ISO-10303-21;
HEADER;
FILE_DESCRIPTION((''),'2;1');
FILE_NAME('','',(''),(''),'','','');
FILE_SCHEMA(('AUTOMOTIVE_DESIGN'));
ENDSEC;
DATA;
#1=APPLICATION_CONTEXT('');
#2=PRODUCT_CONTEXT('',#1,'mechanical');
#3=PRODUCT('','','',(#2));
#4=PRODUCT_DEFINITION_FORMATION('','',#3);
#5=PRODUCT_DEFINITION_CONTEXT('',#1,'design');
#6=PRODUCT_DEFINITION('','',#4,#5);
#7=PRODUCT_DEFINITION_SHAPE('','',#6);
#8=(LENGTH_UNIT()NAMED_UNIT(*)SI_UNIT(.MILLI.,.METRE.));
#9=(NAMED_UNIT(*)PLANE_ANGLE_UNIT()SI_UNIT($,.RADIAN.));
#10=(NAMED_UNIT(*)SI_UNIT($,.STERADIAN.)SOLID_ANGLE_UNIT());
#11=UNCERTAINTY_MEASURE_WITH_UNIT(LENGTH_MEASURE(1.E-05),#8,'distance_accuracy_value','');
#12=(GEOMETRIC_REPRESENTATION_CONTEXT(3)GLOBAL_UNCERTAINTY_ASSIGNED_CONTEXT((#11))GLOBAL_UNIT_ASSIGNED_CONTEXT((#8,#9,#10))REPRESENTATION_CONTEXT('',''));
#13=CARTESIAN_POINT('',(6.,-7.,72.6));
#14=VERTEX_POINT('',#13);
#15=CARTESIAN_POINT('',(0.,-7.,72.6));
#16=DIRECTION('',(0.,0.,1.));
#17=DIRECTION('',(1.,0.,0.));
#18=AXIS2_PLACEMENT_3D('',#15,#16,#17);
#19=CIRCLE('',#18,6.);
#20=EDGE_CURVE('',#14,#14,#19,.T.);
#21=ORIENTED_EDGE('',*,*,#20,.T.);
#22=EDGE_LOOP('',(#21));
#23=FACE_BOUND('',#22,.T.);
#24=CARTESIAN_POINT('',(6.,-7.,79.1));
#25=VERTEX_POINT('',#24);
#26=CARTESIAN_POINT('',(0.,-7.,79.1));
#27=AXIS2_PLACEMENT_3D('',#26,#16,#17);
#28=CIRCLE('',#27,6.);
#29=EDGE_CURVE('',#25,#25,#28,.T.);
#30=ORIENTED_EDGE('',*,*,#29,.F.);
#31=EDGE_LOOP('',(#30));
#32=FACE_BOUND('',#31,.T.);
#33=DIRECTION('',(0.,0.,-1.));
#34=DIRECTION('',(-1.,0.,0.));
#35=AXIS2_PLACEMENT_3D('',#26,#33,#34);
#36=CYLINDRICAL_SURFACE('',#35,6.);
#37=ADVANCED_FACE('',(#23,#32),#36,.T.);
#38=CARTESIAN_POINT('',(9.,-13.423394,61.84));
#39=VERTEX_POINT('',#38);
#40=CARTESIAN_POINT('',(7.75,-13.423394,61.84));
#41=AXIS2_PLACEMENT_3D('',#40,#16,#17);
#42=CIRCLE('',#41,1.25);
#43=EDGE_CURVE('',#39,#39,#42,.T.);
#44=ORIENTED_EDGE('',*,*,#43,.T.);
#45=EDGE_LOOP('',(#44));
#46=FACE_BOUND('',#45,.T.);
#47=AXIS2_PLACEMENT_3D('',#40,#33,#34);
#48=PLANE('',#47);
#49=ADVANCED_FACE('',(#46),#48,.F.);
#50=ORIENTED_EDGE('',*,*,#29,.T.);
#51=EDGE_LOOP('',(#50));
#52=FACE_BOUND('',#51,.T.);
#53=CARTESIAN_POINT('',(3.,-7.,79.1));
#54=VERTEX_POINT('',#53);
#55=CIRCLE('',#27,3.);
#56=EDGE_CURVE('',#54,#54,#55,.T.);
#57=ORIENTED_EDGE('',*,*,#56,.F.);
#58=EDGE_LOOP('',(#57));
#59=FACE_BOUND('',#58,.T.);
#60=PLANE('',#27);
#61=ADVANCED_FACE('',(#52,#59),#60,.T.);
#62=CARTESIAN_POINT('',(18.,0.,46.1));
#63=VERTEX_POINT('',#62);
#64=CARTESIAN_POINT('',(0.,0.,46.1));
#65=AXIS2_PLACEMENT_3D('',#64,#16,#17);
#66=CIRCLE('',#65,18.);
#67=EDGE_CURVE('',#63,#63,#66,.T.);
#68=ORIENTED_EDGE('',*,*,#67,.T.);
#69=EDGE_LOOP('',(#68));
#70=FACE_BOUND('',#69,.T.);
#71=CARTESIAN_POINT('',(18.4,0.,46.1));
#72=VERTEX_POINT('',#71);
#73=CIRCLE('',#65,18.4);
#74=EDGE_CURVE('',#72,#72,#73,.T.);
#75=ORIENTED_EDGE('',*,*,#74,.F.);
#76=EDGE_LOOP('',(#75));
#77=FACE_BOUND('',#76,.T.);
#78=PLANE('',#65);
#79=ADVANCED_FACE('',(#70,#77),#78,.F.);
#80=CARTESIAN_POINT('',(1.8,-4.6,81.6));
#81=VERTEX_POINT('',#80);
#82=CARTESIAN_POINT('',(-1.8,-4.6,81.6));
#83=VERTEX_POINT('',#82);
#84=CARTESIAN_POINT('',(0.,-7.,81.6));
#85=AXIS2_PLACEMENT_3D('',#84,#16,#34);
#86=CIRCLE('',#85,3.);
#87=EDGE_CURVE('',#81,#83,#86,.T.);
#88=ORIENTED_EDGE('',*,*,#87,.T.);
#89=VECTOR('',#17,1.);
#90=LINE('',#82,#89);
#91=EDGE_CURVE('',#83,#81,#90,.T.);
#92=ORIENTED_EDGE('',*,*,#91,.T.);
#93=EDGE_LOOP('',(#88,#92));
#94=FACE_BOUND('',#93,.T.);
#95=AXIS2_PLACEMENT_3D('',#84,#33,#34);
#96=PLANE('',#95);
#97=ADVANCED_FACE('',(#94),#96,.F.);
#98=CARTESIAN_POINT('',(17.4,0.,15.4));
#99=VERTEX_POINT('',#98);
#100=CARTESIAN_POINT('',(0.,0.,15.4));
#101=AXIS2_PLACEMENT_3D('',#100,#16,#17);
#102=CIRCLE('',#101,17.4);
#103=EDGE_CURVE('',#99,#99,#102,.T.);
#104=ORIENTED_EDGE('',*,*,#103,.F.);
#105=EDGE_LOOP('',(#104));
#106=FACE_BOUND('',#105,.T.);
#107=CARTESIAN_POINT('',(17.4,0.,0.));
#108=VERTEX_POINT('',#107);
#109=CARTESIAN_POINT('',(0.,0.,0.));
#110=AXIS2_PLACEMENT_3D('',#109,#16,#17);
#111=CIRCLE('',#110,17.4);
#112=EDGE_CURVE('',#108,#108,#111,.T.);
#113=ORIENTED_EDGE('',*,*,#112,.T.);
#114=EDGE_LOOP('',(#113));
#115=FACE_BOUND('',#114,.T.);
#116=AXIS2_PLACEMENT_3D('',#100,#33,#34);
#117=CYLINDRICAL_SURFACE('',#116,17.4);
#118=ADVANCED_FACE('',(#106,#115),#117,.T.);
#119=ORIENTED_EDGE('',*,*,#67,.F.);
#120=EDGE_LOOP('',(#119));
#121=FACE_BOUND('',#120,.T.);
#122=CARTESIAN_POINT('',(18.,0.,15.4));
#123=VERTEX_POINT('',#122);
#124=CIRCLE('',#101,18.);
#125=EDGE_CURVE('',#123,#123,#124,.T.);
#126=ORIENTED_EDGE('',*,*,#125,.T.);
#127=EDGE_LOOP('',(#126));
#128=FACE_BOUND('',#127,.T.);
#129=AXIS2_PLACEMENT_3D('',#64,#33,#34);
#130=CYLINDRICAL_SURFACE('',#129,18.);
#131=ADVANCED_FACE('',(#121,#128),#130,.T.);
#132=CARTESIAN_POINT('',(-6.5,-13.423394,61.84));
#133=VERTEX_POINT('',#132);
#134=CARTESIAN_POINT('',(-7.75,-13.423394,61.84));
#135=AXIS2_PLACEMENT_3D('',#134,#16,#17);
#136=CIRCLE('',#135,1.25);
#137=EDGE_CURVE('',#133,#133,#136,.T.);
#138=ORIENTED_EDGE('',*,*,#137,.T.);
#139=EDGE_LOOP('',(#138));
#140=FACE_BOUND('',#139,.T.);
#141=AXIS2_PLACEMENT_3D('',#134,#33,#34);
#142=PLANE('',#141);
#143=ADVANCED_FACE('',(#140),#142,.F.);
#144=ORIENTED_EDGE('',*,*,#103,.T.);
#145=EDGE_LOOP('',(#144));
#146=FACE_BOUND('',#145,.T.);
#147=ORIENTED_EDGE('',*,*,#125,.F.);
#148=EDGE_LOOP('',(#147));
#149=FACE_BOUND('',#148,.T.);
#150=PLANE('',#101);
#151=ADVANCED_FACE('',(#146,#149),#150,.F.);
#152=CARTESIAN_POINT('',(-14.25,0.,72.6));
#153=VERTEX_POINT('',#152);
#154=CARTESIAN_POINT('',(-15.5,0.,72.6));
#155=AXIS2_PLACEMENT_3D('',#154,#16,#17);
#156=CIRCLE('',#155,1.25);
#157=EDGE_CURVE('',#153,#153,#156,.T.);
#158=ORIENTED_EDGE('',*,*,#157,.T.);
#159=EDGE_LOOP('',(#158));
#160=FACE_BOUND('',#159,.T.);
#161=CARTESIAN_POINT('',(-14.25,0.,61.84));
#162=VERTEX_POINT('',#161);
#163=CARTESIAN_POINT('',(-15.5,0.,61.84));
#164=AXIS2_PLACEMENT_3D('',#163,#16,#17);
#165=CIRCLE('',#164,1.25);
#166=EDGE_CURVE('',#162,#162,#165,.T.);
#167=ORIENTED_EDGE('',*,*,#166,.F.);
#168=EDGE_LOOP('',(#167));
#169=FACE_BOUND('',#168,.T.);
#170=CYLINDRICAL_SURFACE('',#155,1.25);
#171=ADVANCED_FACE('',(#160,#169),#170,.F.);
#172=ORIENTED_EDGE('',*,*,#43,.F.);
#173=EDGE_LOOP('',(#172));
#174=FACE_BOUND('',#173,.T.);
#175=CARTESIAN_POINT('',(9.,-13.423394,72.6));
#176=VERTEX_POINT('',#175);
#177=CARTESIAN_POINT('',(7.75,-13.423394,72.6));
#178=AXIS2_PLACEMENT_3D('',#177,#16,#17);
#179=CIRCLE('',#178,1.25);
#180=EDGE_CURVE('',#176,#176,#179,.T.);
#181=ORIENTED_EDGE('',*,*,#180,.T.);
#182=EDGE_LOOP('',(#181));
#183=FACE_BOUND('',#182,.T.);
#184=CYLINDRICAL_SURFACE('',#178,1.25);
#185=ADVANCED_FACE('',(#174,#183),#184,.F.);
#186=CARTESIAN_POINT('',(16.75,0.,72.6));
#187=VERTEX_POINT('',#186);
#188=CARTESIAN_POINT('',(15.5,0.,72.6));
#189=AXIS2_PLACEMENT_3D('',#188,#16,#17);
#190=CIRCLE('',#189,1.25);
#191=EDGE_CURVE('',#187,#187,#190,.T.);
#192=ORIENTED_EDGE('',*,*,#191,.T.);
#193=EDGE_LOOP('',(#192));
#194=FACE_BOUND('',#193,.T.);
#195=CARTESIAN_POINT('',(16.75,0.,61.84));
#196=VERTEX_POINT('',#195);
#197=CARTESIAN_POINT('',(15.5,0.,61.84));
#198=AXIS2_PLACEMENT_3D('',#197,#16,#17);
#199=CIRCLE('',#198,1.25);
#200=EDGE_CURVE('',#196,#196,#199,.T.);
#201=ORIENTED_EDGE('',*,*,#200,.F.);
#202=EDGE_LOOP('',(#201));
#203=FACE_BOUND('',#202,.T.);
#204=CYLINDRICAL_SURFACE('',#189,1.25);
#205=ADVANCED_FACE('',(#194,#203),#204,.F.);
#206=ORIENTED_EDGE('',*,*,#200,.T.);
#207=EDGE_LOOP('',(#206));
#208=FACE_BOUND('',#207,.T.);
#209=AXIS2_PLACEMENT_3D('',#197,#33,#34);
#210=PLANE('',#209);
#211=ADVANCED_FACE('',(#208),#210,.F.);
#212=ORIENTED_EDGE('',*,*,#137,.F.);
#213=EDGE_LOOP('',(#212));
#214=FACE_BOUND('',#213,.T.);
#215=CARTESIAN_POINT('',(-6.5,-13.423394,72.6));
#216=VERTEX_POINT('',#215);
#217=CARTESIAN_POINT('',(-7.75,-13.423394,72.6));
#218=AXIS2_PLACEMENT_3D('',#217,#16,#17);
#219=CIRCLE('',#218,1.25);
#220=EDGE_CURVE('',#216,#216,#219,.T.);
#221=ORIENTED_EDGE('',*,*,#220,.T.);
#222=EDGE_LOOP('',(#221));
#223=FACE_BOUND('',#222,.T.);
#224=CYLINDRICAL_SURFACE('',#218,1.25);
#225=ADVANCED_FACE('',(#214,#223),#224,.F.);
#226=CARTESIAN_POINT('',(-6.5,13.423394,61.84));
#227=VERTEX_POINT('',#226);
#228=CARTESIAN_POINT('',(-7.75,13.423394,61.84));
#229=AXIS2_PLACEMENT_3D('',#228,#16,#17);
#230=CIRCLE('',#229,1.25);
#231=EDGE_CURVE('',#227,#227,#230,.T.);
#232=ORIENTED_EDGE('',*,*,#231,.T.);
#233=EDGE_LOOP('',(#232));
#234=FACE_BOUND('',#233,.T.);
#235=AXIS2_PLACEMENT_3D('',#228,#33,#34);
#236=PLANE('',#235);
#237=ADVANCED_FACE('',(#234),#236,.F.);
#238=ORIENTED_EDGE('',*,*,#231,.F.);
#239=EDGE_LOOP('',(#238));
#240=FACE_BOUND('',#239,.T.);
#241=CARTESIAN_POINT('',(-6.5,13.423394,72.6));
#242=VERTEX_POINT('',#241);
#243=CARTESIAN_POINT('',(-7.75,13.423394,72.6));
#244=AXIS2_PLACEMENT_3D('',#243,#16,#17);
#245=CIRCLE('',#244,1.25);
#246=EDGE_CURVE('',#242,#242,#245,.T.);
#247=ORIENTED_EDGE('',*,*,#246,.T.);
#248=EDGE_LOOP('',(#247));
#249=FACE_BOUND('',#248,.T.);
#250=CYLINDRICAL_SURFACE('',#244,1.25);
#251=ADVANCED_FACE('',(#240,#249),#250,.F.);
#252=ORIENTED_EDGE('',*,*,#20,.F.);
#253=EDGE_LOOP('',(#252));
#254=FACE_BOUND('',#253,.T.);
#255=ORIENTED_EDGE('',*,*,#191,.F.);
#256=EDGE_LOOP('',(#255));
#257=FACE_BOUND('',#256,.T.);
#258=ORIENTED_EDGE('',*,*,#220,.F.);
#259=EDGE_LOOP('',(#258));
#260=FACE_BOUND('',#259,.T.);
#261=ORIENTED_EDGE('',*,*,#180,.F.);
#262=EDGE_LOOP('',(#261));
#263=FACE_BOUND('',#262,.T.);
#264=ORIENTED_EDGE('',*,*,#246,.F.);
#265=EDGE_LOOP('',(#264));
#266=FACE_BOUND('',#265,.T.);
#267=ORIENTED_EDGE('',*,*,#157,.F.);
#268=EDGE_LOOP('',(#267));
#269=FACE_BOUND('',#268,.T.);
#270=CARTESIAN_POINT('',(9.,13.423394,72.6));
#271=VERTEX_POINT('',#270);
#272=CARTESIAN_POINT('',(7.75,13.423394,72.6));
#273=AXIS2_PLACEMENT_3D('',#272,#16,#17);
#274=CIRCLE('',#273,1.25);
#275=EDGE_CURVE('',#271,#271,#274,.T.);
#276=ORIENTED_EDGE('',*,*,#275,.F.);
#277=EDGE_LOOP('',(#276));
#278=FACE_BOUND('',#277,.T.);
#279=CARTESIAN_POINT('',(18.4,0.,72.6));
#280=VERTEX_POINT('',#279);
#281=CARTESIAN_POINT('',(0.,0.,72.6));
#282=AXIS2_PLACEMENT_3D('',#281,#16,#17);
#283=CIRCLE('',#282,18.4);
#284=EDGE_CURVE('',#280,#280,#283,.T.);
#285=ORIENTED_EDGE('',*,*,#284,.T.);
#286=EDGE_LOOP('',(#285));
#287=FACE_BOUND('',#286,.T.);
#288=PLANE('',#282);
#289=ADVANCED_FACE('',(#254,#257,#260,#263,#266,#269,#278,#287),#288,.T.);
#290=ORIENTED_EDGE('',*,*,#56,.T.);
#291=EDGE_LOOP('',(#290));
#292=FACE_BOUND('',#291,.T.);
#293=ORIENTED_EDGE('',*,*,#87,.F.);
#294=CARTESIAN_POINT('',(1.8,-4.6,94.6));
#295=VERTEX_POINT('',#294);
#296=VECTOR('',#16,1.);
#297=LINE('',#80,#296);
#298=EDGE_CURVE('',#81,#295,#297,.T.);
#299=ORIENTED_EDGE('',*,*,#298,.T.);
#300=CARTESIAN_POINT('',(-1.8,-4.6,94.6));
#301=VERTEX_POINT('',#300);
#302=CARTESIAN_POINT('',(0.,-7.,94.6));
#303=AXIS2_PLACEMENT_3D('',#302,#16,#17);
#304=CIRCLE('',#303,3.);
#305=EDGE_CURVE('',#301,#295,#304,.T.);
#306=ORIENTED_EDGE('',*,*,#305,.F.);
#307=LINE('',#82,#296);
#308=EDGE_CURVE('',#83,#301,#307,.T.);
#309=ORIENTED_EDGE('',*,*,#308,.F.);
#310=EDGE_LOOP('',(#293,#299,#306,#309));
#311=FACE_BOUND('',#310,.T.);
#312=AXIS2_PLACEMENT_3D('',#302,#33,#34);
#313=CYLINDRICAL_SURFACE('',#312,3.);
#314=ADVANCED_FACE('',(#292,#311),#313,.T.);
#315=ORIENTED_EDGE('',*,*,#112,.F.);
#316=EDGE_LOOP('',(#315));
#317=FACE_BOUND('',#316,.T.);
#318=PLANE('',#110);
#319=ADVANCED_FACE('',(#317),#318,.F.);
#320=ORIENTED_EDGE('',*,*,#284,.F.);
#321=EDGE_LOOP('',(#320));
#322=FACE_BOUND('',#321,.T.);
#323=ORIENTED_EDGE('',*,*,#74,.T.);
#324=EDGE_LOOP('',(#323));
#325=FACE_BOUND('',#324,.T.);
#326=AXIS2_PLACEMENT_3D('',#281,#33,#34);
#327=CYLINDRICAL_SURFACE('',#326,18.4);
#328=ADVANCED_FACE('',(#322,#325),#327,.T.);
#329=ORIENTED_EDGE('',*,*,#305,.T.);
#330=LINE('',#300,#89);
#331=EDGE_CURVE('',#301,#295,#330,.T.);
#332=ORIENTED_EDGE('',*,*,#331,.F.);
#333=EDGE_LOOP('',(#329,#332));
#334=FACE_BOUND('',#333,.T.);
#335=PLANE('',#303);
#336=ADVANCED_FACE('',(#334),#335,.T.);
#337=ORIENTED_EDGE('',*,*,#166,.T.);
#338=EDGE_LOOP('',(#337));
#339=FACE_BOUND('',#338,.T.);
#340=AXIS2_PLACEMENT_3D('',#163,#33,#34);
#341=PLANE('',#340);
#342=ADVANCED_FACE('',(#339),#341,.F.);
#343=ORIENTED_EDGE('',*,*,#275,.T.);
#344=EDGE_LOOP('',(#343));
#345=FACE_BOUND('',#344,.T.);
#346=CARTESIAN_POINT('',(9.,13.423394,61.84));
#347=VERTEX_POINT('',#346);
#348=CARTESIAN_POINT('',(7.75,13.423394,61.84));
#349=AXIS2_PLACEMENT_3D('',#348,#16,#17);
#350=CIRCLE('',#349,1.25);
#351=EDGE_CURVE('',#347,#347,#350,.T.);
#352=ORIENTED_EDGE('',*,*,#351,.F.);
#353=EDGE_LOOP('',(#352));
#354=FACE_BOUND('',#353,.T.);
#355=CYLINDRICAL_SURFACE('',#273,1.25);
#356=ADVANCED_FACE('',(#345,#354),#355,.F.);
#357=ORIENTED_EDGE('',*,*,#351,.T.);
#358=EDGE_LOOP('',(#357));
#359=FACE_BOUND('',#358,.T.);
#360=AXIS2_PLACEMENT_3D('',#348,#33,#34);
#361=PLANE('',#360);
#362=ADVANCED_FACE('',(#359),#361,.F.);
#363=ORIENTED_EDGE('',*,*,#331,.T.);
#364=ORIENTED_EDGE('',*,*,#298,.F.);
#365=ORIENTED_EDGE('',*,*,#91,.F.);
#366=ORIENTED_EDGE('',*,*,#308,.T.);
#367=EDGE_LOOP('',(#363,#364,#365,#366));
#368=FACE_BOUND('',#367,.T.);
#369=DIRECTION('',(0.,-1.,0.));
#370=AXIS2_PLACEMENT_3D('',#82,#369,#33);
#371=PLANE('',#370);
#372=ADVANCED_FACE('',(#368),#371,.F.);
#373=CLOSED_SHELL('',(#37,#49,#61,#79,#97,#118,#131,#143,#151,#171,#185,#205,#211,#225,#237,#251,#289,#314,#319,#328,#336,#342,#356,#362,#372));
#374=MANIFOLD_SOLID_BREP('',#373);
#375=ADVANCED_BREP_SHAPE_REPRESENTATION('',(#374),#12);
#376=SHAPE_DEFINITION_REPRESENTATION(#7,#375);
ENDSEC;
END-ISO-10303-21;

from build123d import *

# Parameters (mm, degrees)
SKETCH1_R                       = 17.4
BOSS_EXTRUDE1_DEPTH             = 15.4
SKETCH2_R                       = 18
BOSS_EXTRUDE2_DEPTH             = 30.7
SKETCH3_R                       = 18.4
BOSS_EXTRUDE3_DEPTH             = 26.5
SKETCH4_R                       = 6
BOSS_EXTRUDE4_DEPTH             = 6.5
SKETCH5_R                       = 3
BOSS_EXTRUDE5_DEPTH             = 15.5
CUT_EXTRUDE1_DEPTH              = 13
TAP_DRILL_FOR_M3X0_5_TAP1_D     = 2.5
TAP_DRILL_FOR_M3X0_5_TAP1_DEPTH = 10.76


with BuildPart() as part:
    # Sketch1 → Boss-Extrude1 (new body)
    with BuildSketch(Plane.XY):
        Circle(SKETCH1_R)
    extrude(amount=BOSS_EXTRUDE1_DEPTH)

    # Sketch2 → Boss-Extrude2 (add)
    with BuildSketch(Plane.XY.offset(15.4)):
        Circle(SKETCH2_R)
    extrude(amount=BOSS_EXTRUDE2_DEPTH)

    # Sketch3 → Boss-Extrude3 (add)
    with BuildSketch(Plane.XY.offset(46.1)):
        Circle(SKETCH3_R)
    extrude(amount=BOSS_EXTRUDE3_DEPTH)

    # Sketch4 → Boss-Extrude4 (add)
    with BuildSketch(Plane.XY.offset(72.6)):
        with Locations((0, -7)):
            Circle(SKETCH4_R)
    extrude(amount=BOSS_EXTRUDE4_DEPTH)

    # Sketch5 → Boss-Extrude5 (add)
    with BuildSketch(Plane.XY.offset(79.1)):
        with Locations((0, -7)):
            Circle(SKETCH5_R)
    extrude(amount=BOSS_EXTRUDE5_DEPTH)

    # Sketch6 → Cut-Extrude1 (cut)
    with BuildSketch(Plane.XY.offset(94.6)):
        with BuildLine():
            Line((-1.8, -4.6), (1.8, -4.6))
            ThreePointArc((1.8, -4.6), (0, -4), (-1.8, -4.6))
        make_face()
    extrude(amount=-CUT_EXTRUDE1_DEPTH, mode=Mode.SUBTRACT)

    # Tap Drill for M3x0.5 Tap1
    with Locations(Plane.XY.offset(72.6)):
        with Locations((-15.5, 0), (-7.75, 13.423393759), (7.75, 13.423393759), (15.5, 0), (7.75, -13.423393759), (-7.75, -13.423393759)):
            Hole(TAP_DRILL_FOR_M3X0_5_TAP1_D / 2, depth=TAP_DRILL_FOR_M3X0_5_TAP1_DEPTH)


solid = part.part
